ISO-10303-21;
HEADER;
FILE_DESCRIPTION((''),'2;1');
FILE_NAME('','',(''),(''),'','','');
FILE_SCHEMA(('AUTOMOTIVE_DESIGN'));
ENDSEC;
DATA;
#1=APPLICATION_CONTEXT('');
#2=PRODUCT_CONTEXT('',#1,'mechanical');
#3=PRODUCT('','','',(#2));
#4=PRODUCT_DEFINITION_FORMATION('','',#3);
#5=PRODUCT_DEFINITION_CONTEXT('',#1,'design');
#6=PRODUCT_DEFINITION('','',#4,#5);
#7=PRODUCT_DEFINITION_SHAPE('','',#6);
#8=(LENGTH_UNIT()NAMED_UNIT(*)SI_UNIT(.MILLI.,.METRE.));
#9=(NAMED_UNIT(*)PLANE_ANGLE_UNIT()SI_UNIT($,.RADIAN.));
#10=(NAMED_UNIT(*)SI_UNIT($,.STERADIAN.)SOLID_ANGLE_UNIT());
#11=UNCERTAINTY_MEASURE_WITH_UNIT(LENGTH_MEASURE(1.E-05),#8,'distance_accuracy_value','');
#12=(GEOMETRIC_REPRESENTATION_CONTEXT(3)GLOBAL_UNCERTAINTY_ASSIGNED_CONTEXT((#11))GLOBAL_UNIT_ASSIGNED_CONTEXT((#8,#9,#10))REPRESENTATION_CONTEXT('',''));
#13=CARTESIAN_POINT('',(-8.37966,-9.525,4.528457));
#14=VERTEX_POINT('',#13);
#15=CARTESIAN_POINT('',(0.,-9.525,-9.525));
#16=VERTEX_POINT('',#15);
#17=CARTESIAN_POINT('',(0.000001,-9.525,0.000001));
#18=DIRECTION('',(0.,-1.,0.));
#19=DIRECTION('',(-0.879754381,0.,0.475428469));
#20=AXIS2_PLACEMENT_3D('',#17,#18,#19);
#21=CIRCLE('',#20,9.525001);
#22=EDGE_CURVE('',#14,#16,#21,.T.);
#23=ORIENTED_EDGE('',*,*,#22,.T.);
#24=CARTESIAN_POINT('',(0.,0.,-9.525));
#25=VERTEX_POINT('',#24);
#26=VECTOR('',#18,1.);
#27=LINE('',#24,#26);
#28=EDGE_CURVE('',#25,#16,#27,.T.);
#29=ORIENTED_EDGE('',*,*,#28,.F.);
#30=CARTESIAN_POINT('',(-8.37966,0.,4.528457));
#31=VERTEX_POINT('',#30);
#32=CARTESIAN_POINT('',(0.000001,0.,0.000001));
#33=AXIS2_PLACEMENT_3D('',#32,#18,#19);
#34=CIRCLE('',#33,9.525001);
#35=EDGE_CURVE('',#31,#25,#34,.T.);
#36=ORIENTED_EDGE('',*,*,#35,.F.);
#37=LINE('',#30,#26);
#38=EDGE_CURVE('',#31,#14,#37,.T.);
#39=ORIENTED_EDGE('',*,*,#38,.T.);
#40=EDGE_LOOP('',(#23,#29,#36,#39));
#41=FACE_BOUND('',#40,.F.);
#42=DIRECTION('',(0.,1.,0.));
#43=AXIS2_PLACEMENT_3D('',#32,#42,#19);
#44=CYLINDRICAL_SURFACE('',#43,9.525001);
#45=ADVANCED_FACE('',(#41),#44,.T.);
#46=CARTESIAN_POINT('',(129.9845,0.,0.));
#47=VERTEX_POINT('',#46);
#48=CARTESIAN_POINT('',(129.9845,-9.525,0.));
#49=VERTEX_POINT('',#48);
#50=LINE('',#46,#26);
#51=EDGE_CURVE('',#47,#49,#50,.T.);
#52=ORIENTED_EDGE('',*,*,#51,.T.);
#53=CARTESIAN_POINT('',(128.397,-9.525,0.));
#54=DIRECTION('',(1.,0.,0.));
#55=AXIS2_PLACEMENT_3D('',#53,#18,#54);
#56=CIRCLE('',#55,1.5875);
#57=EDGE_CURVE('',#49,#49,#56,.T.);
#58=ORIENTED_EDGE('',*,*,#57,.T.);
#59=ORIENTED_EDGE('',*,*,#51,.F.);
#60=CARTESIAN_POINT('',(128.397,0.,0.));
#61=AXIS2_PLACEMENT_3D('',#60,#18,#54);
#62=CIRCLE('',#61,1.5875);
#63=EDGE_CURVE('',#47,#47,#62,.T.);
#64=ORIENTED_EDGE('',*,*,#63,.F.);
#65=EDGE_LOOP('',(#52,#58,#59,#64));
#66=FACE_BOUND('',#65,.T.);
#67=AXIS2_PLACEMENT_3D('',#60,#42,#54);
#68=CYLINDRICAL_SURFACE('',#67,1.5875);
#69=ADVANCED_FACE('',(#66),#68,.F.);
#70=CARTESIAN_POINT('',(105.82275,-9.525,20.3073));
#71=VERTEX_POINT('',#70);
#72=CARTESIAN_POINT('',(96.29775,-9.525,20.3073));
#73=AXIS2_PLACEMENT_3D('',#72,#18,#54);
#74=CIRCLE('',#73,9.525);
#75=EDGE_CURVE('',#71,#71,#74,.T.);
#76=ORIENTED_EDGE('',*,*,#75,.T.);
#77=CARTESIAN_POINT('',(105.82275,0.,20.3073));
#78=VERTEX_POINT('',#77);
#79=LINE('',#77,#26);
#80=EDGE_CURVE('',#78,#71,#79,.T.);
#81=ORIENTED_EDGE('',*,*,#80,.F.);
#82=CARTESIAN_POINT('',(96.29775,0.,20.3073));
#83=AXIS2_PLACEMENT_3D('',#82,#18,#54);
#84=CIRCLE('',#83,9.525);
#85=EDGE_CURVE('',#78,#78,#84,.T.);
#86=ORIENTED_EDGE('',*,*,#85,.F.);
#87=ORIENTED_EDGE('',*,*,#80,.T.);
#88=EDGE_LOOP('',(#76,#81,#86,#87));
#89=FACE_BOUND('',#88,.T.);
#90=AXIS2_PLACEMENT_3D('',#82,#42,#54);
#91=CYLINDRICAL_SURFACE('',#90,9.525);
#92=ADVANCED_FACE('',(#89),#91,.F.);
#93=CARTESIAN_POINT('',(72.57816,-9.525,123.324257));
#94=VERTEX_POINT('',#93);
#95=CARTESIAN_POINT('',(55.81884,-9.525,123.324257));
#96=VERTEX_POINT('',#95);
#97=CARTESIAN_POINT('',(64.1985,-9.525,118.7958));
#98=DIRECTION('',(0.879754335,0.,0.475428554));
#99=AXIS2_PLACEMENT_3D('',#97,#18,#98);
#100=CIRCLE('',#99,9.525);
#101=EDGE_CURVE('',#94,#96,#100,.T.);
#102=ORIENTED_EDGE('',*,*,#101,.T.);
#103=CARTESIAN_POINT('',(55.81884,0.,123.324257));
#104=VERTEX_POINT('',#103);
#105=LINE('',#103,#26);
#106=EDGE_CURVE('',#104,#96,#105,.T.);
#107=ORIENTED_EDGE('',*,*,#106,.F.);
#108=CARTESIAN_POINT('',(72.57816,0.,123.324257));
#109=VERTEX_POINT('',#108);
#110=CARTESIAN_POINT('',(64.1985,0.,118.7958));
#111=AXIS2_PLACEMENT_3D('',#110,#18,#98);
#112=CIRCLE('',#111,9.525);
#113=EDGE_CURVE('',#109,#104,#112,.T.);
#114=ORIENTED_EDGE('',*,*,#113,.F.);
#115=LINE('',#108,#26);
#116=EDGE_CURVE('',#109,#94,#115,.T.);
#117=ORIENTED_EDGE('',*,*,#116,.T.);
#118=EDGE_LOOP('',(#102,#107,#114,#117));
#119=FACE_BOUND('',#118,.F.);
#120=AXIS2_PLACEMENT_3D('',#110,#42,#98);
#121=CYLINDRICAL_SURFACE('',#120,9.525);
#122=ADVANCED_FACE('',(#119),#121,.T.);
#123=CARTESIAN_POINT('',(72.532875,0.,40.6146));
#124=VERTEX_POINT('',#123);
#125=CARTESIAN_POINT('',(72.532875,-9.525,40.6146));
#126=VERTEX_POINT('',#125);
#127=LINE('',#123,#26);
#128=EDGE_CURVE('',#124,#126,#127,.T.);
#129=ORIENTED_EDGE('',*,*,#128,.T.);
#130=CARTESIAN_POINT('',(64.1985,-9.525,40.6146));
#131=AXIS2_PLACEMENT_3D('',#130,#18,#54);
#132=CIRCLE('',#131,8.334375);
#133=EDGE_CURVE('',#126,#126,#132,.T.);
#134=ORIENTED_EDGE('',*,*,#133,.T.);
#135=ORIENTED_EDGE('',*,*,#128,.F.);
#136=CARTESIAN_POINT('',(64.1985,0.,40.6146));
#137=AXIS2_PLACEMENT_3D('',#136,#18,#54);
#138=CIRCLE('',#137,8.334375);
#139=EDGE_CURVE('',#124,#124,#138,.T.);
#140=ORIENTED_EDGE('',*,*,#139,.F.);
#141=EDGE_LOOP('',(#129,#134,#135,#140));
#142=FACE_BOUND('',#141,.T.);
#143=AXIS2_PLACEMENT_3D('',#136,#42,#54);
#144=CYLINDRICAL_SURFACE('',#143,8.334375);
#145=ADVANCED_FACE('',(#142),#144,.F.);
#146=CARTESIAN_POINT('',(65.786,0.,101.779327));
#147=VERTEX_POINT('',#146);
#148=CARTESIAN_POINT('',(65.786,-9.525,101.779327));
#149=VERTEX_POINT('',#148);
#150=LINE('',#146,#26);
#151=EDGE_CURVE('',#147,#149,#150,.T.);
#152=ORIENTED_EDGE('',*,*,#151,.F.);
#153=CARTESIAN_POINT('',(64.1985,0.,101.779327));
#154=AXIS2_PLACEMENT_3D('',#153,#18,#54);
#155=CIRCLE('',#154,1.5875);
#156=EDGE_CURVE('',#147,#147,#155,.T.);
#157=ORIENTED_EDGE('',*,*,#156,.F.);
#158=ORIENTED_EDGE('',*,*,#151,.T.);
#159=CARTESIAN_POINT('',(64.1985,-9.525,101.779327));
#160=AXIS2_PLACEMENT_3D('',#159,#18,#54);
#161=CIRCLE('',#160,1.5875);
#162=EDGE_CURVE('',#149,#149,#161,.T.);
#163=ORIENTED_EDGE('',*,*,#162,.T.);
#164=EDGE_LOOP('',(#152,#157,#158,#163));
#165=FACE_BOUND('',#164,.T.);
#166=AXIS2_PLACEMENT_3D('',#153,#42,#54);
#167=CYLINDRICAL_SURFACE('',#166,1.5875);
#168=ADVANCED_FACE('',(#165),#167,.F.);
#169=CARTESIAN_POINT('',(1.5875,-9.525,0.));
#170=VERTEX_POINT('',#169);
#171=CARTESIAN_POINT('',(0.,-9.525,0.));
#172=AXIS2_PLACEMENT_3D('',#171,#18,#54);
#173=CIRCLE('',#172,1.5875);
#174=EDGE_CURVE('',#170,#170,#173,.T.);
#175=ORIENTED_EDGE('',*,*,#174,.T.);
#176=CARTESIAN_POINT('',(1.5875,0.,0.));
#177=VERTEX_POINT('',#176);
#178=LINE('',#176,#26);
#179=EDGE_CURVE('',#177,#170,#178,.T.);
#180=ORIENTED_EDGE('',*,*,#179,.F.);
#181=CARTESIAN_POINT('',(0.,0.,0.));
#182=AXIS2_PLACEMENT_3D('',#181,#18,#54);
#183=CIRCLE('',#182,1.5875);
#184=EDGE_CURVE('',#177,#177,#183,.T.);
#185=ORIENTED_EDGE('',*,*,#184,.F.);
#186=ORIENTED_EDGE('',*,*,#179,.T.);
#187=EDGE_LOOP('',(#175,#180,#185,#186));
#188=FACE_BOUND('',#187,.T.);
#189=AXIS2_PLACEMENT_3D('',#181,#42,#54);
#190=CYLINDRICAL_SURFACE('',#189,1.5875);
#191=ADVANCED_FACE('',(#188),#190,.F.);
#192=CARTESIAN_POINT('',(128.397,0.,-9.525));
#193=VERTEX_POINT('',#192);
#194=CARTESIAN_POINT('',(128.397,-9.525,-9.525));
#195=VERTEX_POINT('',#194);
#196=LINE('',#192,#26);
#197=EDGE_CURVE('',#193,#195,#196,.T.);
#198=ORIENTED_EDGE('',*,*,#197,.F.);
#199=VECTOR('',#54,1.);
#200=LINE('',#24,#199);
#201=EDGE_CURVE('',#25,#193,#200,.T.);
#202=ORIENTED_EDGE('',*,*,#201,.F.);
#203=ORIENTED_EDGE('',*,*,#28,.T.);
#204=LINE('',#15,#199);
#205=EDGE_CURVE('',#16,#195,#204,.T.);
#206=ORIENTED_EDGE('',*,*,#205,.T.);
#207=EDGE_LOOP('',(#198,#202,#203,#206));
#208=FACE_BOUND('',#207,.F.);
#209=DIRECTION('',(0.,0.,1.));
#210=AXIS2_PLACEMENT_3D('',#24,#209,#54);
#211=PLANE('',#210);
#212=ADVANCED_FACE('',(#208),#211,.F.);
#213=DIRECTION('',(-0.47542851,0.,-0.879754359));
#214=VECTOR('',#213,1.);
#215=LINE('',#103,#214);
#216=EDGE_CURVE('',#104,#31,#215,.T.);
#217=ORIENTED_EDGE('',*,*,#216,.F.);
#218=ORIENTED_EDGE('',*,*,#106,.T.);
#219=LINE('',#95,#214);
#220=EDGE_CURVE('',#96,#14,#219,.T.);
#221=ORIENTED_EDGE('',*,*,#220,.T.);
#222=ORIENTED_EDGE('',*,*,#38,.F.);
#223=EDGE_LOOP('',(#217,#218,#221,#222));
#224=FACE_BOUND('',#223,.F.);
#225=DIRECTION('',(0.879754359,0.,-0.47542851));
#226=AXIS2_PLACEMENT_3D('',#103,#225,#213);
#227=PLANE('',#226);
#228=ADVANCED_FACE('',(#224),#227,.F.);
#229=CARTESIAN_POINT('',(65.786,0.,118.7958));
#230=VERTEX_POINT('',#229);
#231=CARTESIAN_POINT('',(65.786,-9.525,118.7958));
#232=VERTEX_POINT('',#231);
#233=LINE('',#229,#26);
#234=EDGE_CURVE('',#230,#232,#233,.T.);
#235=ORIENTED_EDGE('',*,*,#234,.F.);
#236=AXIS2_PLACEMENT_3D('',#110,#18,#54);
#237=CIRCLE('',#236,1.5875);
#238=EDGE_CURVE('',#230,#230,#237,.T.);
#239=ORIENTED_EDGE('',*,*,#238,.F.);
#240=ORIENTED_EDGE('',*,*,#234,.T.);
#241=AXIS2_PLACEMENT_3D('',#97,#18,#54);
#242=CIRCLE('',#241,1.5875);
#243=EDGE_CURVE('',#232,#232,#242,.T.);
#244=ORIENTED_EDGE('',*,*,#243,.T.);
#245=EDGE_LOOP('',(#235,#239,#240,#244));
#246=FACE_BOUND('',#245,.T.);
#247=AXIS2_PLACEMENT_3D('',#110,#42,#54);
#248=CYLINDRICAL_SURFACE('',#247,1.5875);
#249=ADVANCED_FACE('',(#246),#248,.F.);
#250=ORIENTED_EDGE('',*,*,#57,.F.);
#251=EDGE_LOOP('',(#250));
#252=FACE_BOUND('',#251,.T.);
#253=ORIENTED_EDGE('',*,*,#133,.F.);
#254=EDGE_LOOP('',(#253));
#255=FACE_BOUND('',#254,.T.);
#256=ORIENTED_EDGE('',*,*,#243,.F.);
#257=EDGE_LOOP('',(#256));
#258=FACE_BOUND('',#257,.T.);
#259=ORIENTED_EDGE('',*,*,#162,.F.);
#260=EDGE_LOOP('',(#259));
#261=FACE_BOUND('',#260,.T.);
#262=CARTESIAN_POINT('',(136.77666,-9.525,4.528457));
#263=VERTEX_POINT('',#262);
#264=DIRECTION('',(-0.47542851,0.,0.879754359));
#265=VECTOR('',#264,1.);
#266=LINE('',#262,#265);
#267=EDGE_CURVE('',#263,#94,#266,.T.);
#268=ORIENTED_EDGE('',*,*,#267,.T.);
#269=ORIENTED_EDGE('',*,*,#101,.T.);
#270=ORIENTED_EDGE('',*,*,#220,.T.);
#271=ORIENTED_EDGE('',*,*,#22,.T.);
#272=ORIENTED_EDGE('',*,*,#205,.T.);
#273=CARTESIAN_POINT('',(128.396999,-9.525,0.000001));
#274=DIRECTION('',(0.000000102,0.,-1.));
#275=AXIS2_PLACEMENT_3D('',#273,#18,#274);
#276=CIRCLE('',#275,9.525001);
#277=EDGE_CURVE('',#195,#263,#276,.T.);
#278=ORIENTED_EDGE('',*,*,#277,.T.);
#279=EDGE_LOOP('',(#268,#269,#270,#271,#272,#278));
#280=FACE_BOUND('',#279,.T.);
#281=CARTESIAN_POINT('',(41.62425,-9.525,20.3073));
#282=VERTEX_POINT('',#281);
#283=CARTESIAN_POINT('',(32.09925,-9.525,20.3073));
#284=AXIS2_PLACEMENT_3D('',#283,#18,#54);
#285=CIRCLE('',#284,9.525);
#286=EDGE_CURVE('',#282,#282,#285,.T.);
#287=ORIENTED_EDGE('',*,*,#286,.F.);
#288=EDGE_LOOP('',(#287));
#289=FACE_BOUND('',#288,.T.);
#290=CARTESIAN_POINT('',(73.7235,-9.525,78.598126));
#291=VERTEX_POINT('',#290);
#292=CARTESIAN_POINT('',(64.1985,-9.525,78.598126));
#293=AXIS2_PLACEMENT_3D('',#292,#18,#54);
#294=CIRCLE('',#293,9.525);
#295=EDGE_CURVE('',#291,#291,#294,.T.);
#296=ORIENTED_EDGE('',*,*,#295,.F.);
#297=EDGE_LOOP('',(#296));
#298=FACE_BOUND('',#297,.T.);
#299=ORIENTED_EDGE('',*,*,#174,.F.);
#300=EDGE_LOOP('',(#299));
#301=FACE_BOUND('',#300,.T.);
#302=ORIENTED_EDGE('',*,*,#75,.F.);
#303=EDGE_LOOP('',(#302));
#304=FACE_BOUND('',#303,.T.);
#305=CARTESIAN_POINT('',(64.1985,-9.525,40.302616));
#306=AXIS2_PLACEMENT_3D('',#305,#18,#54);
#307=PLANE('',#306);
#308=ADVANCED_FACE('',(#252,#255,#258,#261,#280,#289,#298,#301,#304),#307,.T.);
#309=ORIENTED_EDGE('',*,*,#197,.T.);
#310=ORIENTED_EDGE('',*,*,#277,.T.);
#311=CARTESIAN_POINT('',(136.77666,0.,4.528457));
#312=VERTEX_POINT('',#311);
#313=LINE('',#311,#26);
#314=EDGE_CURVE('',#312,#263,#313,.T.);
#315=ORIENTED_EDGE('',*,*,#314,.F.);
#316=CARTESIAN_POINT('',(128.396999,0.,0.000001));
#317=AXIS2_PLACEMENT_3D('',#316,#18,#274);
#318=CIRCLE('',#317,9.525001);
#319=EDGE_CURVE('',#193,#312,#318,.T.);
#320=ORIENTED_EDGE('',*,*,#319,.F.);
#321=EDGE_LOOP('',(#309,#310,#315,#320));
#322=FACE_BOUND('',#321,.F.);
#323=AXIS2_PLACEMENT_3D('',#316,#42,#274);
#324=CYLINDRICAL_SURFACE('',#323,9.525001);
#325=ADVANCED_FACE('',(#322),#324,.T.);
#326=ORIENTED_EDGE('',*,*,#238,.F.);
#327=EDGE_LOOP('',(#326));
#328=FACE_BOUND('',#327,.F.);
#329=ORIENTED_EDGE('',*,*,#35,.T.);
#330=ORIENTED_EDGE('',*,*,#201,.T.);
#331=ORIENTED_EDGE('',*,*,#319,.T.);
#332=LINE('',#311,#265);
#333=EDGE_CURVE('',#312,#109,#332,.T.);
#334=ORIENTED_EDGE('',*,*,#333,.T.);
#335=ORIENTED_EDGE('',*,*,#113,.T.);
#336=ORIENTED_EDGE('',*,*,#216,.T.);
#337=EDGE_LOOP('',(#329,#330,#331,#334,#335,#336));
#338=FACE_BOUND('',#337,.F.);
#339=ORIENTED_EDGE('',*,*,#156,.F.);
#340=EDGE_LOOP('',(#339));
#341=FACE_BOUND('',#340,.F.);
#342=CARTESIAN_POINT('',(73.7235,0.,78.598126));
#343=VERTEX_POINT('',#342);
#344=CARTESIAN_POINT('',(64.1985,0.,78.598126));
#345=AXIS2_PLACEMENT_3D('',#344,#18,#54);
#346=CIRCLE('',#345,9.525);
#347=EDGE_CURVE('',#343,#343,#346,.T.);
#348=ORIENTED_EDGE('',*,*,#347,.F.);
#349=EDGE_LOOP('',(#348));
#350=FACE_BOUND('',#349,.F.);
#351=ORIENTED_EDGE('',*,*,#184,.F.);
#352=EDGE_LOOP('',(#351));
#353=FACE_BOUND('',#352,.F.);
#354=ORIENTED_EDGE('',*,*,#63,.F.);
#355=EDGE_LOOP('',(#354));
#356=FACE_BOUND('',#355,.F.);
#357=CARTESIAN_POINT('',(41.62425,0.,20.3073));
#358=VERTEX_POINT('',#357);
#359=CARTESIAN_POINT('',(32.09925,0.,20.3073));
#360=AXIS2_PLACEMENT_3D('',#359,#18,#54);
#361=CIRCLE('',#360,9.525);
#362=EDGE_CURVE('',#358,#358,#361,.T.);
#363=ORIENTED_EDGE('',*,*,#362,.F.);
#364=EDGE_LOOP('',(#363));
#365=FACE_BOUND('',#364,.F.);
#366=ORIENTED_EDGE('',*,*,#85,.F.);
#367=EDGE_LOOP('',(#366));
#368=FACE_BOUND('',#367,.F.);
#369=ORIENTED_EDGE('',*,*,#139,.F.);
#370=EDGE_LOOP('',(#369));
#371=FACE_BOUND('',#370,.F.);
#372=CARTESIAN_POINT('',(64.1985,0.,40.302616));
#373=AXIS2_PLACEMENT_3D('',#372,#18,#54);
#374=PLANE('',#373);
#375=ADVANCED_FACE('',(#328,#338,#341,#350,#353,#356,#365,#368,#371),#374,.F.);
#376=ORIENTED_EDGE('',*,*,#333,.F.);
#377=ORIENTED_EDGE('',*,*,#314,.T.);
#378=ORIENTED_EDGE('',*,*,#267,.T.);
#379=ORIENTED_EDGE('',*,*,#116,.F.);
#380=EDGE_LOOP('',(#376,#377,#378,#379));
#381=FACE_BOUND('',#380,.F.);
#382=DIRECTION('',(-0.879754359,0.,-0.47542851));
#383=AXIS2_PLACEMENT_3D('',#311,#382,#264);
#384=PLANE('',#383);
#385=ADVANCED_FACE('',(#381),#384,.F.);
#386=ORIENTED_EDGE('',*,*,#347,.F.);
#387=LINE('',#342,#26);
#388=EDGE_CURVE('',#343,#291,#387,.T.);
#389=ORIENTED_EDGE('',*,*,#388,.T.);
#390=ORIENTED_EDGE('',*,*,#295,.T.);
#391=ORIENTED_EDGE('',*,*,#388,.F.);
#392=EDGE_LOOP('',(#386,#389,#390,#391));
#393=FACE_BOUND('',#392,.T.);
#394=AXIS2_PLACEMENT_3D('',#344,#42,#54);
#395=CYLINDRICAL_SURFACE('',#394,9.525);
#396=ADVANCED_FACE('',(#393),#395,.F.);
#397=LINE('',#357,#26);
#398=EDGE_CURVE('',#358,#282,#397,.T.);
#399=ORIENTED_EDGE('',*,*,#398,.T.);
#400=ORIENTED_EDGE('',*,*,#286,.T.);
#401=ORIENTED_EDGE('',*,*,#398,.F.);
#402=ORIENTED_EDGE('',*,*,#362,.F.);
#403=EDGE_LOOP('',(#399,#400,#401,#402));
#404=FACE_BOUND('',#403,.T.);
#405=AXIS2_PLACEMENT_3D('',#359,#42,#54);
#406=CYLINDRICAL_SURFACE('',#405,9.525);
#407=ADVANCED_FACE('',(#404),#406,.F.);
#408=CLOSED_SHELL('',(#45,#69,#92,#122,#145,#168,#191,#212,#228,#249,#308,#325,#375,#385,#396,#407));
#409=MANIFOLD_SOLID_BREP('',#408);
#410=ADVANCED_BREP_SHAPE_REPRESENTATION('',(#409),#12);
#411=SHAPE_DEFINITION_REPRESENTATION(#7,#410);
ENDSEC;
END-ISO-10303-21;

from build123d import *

# Parameters (mm, degrees)
F0_R     = 1.5875
F0_R_2   = 9.525
F0_R_3   = 8.334375
F1_DEPTH = 9.525


with BuildPart() as f1:
    # F0 (on Front) → F1 (new body)
    with BuildSketch(Plane.XZ):
        with BuildLine():
            Line((136.77666, 4.528457), (72.57816, 123.324257))
            ThreePointArc((72.57816, 123.324257), (64.1985, 128.3208), (55.81884, 123.324257))
            Line((55.81884, 123.324257), (-8.37966, 4.528457))
            ThreePointArc((-8.37966, 4.528457), (-8.18105, -4.878118), (0, -9.525))
            Line((0, -9.525), (128.397, -9.525))
            ThreePointArc((128.397, -9.525), (136.57805, -4.878118), (136.77666, 4.528457))
        make_face()
        Circle(F0_R, mode=Mode.SUBTRACT)
        with Locations((32.09925, 20.3073)):
            Circle(F0_R_2, mode=Mode.SUBTRACT)
        with Locations((64.1985, 40.6146)):
            Circle(F0_R_3, mode=Mode.SUBTRACT)
        with Locations((96.29775, 20.3073)):
            Circle(F0_R_2, mode=Mode.SUBTRACT)
        with Locations((128.397, 0)):
            Circle(F0_R, mode=Mode.SUBTRACT)
        with Locations((64.1985, 78.598126)):
            Circle(F0_R_2, mode=Mode.SUBTRACT)
        with Locations((64.1985, 101.779327)):
            Circle(F0_R, mode=Mode.SUBTRACT)
        with Locations((64.1985, 118.7958)):
            Circle(F0_R, mode=Mode.SUBTRACT)
    extrude(amount=F1_DEPTH)


solid = f1.part
